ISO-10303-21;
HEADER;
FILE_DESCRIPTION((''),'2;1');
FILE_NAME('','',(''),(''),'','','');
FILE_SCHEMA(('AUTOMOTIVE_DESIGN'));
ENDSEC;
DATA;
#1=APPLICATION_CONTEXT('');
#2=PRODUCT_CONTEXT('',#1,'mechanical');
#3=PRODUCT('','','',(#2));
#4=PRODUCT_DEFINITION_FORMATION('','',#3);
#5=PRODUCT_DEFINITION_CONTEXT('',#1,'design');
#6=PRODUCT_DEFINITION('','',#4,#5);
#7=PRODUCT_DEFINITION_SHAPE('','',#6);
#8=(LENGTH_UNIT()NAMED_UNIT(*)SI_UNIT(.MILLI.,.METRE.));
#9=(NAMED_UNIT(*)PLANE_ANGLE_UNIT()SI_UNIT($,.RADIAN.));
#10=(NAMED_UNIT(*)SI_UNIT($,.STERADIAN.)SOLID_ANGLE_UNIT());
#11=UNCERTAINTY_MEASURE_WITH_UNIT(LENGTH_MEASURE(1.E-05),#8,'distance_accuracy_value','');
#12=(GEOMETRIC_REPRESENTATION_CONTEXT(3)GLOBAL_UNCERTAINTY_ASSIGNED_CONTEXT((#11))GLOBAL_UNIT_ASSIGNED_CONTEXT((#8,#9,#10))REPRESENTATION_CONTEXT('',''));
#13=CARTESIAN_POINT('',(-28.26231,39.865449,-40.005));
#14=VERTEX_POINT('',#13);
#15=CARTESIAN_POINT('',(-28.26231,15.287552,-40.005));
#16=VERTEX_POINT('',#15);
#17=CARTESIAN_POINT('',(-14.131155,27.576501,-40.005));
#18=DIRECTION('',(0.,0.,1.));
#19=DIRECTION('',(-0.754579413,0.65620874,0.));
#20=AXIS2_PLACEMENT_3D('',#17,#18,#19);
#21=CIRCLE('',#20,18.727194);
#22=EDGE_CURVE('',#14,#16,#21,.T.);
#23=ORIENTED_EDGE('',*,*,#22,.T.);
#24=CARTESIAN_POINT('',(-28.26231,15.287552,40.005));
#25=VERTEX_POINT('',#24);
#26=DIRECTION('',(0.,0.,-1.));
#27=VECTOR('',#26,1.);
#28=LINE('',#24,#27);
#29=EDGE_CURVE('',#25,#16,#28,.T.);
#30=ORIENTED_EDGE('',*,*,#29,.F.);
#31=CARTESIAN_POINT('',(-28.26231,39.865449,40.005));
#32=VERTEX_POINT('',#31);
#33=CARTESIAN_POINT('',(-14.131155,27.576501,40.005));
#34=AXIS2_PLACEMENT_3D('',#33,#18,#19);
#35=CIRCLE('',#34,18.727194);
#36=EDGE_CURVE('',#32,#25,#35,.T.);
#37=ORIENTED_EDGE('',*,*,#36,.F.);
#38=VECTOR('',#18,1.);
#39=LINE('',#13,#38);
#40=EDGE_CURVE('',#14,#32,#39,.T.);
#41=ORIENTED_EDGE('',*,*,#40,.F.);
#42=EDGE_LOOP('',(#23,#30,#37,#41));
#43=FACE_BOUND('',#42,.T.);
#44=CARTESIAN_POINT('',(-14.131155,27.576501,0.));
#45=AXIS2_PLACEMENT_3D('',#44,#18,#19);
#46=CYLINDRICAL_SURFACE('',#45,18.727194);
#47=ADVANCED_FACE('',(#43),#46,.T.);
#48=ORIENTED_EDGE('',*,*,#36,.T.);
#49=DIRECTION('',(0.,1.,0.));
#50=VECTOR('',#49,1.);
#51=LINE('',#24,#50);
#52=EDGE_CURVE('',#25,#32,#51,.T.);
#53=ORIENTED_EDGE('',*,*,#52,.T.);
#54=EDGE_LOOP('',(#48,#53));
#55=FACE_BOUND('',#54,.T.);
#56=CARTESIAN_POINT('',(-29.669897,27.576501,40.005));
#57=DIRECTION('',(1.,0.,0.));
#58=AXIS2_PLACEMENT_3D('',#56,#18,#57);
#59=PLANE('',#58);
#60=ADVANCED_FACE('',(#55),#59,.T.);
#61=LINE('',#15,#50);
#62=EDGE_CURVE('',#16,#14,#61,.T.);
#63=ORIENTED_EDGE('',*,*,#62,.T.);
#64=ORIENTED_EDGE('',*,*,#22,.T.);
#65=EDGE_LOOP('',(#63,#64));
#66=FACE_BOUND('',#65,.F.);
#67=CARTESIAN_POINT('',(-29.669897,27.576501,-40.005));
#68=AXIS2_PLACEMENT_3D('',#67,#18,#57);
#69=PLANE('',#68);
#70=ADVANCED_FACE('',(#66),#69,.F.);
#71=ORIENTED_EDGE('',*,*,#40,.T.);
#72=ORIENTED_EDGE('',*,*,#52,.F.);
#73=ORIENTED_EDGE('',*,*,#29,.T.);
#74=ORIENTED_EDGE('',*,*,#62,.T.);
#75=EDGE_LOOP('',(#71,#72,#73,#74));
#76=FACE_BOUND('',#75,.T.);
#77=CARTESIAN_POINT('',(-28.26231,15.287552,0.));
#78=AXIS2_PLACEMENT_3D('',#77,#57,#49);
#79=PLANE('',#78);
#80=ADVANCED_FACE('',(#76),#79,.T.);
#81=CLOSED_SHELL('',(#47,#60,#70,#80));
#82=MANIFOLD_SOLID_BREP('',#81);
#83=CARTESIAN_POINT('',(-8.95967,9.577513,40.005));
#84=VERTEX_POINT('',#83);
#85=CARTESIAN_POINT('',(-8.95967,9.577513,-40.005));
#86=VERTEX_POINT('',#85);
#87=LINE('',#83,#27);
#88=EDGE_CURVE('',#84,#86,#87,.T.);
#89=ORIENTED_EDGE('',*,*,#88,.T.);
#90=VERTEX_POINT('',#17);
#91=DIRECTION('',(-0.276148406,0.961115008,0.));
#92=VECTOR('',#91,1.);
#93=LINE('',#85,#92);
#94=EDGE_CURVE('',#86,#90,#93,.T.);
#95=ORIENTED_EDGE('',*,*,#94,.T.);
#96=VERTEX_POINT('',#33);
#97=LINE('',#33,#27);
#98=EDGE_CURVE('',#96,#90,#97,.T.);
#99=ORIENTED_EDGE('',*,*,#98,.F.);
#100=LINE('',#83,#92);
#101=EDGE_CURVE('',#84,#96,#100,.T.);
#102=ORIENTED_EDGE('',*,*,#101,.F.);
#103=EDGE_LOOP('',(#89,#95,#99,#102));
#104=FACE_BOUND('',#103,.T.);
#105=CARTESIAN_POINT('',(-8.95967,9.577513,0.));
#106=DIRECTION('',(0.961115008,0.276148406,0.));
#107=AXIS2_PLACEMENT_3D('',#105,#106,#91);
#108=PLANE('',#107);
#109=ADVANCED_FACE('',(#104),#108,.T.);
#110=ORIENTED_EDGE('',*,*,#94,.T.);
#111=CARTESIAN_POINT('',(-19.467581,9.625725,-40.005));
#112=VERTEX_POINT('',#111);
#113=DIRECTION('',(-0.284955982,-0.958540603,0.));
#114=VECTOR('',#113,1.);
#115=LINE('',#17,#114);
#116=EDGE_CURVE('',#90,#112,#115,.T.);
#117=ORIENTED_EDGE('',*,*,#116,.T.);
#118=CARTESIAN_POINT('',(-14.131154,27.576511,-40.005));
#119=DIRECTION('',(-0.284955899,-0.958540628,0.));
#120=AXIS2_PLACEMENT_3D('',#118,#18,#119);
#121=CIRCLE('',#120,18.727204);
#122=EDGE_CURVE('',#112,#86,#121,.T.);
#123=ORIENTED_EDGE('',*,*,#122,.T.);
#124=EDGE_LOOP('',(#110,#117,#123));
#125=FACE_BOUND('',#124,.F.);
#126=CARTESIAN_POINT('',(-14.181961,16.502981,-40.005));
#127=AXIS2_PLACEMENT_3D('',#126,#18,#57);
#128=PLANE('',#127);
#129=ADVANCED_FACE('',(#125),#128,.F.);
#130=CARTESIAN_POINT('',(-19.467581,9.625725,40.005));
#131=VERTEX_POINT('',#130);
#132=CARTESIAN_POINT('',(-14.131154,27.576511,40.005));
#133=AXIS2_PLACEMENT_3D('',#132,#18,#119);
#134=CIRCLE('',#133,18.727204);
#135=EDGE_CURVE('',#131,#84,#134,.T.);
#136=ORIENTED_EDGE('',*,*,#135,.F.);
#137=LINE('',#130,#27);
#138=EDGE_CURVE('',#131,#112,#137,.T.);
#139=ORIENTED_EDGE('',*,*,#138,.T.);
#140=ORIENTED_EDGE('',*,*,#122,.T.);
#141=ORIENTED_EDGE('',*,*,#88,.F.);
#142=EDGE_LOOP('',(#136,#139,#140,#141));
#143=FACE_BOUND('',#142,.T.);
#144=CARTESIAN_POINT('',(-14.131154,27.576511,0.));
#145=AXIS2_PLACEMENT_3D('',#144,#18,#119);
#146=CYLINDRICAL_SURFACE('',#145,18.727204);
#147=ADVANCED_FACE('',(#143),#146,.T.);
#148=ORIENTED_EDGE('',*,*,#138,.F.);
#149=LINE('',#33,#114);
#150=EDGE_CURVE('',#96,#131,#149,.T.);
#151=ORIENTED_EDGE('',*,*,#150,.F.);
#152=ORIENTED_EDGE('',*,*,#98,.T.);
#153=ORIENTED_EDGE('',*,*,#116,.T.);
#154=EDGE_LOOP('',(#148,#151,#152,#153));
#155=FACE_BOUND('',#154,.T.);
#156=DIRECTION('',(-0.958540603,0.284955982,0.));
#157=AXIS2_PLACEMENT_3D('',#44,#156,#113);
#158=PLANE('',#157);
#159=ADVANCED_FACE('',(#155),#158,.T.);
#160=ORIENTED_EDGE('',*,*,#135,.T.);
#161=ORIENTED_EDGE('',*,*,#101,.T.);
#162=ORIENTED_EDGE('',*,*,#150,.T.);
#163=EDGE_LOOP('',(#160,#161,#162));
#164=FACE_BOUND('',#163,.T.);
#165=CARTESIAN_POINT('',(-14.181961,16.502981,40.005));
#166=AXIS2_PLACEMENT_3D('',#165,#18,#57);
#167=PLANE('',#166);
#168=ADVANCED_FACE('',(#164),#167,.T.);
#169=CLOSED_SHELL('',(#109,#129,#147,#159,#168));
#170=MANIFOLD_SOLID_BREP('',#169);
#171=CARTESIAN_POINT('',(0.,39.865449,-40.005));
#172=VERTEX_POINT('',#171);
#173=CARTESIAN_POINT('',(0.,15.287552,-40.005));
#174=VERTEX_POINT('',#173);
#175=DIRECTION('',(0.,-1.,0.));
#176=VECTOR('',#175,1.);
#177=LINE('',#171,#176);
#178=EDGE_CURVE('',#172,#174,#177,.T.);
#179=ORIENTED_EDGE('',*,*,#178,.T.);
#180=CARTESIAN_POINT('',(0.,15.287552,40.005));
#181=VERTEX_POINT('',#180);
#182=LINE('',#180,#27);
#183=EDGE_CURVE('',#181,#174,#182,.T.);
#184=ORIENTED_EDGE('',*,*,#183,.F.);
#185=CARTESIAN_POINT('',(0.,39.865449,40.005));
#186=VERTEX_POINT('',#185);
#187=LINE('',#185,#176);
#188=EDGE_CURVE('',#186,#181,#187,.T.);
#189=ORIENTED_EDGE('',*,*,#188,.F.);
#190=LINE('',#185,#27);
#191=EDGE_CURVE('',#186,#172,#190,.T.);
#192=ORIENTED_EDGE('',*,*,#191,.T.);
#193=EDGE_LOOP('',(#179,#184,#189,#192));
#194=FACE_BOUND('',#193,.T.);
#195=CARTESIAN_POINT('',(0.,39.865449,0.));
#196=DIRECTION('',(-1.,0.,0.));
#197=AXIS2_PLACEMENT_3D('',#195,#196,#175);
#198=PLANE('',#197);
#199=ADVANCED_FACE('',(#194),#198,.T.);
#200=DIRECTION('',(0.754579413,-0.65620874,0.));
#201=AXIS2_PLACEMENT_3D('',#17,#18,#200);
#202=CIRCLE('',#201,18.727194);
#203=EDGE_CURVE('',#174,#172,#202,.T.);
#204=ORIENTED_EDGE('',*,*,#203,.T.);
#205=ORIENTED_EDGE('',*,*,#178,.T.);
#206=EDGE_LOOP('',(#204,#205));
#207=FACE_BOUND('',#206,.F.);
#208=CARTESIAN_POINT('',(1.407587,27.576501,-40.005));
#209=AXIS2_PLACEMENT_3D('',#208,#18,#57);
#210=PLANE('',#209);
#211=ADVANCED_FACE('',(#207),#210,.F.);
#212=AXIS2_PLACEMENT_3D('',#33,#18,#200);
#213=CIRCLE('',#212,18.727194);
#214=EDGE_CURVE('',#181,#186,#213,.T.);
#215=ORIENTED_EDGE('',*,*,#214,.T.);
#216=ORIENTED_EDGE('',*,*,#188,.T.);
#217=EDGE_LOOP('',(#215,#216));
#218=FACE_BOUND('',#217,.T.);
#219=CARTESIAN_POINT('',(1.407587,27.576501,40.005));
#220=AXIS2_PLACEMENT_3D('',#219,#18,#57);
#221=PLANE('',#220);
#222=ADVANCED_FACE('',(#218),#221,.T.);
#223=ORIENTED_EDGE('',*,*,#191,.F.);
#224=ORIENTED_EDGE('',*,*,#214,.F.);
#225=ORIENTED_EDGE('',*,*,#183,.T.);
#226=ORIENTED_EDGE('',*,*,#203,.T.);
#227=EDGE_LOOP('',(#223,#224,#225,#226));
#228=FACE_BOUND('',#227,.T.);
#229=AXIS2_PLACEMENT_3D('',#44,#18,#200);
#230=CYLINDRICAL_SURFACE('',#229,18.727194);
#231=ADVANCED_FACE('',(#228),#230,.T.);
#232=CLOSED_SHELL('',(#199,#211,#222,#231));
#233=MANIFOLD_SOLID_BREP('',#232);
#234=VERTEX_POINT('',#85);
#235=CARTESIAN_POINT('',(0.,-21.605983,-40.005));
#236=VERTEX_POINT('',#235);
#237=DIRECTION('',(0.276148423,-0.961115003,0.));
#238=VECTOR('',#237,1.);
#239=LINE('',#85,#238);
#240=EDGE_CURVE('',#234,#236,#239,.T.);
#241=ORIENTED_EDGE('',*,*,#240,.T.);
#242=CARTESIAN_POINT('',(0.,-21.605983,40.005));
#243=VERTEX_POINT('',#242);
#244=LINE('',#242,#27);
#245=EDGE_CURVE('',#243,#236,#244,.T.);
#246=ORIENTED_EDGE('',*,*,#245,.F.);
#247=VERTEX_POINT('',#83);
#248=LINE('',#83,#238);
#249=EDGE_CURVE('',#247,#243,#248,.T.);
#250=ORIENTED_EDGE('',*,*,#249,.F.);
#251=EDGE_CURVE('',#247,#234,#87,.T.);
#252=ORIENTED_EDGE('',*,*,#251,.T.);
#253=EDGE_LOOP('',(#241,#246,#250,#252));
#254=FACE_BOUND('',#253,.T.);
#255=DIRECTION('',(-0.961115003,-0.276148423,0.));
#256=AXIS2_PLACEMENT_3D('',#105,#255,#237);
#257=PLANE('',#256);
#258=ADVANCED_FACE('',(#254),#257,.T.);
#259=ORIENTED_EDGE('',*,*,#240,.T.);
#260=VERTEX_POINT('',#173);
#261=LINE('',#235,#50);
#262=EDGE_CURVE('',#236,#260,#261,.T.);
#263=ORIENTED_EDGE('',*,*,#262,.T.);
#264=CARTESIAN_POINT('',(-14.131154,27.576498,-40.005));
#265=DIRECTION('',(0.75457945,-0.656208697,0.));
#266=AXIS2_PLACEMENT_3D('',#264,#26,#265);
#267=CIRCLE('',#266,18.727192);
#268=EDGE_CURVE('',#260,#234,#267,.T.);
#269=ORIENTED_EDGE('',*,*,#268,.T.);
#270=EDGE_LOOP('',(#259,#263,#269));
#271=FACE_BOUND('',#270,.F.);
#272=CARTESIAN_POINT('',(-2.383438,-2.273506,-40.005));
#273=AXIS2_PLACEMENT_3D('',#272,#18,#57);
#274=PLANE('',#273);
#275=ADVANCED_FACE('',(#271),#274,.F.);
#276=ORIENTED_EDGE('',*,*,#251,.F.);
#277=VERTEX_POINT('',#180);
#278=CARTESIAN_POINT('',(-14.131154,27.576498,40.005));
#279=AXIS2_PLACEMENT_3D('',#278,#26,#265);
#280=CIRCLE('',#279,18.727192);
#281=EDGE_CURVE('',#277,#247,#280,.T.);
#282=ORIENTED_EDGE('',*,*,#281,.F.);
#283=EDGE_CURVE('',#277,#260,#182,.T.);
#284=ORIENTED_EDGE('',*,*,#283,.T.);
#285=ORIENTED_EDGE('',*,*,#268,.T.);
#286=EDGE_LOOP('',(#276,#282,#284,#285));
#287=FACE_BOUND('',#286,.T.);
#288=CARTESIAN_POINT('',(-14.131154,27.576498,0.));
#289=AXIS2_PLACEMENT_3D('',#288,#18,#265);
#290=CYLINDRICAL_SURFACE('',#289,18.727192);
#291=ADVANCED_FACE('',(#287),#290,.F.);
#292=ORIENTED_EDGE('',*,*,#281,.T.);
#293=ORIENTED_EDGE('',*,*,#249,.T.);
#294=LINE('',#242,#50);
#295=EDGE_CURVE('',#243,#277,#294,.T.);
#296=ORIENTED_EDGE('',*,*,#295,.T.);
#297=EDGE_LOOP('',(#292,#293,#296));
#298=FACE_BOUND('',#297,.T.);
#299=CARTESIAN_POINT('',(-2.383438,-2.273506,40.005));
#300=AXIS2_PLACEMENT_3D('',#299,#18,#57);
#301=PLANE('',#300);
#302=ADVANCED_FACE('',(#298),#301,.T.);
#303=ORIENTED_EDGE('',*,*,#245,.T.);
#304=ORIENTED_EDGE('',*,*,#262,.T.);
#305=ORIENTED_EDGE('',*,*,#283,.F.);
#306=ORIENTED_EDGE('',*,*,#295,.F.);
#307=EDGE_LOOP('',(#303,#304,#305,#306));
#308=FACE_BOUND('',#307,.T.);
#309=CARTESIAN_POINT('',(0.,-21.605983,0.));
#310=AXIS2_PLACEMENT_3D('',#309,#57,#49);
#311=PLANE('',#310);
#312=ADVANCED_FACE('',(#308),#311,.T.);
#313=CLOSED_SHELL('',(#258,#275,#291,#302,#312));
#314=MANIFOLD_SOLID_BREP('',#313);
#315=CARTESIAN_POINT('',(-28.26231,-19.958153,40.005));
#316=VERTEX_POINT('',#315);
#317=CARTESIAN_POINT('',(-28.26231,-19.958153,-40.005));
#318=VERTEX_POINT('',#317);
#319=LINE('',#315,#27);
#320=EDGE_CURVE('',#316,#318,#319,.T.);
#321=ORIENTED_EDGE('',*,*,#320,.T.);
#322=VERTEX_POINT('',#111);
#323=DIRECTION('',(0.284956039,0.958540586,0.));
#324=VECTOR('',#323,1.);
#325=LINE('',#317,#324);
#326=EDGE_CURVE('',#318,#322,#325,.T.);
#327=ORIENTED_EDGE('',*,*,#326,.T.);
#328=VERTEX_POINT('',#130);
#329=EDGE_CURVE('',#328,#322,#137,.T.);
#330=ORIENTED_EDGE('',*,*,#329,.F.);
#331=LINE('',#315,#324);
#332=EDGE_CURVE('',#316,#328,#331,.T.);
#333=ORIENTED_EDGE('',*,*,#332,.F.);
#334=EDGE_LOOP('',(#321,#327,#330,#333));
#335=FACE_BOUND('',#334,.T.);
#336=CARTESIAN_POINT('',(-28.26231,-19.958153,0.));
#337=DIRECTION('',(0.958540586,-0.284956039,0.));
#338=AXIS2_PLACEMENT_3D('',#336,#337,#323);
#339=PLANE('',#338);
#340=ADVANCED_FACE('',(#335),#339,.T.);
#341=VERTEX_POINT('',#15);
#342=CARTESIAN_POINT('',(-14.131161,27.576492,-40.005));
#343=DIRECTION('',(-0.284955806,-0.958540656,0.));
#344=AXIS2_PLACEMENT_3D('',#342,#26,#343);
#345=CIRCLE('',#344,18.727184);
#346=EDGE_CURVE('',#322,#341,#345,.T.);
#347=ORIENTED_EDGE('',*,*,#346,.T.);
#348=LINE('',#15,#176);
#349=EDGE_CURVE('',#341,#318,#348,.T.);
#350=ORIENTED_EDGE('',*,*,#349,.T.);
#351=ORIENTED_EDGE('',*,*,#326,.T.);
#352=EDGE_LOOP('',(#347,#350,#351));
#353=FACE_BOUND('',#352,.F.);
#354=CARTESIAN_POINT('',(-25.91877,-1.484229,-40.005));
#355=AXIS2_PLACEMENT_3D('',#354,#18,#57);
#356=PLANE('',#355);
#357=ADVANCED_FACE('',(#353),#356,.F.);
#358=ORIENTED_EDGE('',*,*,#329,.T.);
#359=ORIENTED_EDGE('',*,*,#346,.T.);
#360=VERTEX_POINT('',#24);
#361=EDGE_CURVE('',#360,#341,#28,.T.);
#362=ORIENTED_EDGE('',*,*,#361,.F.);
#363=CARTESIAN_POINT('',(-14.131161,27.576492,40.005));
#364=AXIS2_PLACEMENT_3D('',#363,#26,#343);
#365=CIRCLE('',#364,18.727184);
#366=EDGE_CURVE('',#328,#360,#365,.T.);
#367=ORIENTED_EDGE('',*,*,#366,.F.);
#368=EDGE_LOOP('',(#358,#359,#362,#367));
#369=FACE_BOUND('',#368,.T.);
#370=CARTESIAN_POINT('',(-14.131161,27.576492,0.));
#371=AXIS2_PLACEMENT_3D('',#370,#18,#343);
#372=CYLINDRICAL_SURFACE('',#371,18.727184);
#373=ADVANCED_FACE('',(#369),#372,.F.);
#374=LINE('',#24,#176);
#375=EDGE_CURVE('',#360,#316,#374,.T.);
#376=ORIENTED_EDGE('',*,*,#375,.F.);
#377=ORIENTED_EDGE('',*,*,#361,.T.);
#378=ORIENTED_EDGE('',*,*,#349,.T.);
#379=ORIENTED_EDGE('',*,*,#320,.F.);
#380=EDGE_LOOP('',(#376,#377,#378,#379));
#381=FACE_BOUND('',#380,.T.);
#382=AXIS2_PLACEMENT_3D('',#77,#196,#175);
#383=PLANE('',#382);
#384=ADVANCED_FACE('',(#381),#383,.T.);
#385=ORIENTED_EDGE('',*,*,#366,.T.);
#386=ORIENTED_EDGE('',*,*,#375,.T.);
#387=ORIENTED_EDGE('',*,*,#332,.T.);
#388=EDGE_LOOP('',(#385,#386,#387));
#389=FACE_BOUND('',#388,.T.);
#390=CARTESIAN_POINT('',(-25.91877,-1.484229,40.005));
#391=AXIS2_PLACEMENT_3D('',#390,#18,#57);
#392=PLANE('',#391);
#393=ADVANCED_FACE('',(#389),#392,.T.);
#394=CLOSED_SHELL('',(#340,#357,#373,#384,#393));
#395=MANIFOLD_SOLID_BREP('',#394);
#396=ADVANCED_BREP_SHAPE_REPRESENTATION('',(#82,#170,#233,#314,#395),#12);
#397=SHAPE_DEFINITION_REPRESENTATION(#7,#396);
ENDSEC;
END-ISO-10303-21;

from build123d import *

# Parameters (mm, degrees)
F1_DEPTH = 40.005


with BuildPart() as f1:
    # F0 (on Top) → F1 (new body, symmetric)
    with BuildSketch(Plane.XY):
        with BuildLine():
            Line((0, 39.865449), (0, 15.287552))
            ThreePointArc((0, 15.287552), (4.596039, 27.576501), (0, 39.865449))
        make_face()
        with BuildLine():
            ThreePointArc((0, 15.287552), (-4.066409, 11.783822), (-8.95967, 9.577513))
            Line((-8.95967, 9.577513), (0, -21.605983))
            Line((0, -21.605983), (0, 15.287552))
        make_face()
        with BuildLine():
            Line((-14.131155, 27.576501), (-19.467581, 9.625725))
            ThreePointArc((-19.467581, 9.625725), (-14.217076, 8.849504), (-8.95967, 9.577513))
            Line((-8.95967, 9.577513), (-14.131155, 27.576501))
        make_face()
        with BuildLine():
            ThreePointArc((-19.467581, 9.625725), (-24.268253, 11.830166), (-28.26231, 15.287552))
            Line((-28.26231, 15.287552), (-28.26231, -19.958153))
            Line((-28.26231, -19.958153), (-19.467581, 9.625725))
        make_face()
        with BuildLine():
            Line((-28.26231, 15.287552), (-28.26231, 39.865449))
            ThreePointArc((-28.26231, 39.865449), (-32.858349, 27.576501), (-28.26231, 15.287552))
        make_face()
    extrude(amount=F1_DEPTH, both=True)


solid = f1.part
